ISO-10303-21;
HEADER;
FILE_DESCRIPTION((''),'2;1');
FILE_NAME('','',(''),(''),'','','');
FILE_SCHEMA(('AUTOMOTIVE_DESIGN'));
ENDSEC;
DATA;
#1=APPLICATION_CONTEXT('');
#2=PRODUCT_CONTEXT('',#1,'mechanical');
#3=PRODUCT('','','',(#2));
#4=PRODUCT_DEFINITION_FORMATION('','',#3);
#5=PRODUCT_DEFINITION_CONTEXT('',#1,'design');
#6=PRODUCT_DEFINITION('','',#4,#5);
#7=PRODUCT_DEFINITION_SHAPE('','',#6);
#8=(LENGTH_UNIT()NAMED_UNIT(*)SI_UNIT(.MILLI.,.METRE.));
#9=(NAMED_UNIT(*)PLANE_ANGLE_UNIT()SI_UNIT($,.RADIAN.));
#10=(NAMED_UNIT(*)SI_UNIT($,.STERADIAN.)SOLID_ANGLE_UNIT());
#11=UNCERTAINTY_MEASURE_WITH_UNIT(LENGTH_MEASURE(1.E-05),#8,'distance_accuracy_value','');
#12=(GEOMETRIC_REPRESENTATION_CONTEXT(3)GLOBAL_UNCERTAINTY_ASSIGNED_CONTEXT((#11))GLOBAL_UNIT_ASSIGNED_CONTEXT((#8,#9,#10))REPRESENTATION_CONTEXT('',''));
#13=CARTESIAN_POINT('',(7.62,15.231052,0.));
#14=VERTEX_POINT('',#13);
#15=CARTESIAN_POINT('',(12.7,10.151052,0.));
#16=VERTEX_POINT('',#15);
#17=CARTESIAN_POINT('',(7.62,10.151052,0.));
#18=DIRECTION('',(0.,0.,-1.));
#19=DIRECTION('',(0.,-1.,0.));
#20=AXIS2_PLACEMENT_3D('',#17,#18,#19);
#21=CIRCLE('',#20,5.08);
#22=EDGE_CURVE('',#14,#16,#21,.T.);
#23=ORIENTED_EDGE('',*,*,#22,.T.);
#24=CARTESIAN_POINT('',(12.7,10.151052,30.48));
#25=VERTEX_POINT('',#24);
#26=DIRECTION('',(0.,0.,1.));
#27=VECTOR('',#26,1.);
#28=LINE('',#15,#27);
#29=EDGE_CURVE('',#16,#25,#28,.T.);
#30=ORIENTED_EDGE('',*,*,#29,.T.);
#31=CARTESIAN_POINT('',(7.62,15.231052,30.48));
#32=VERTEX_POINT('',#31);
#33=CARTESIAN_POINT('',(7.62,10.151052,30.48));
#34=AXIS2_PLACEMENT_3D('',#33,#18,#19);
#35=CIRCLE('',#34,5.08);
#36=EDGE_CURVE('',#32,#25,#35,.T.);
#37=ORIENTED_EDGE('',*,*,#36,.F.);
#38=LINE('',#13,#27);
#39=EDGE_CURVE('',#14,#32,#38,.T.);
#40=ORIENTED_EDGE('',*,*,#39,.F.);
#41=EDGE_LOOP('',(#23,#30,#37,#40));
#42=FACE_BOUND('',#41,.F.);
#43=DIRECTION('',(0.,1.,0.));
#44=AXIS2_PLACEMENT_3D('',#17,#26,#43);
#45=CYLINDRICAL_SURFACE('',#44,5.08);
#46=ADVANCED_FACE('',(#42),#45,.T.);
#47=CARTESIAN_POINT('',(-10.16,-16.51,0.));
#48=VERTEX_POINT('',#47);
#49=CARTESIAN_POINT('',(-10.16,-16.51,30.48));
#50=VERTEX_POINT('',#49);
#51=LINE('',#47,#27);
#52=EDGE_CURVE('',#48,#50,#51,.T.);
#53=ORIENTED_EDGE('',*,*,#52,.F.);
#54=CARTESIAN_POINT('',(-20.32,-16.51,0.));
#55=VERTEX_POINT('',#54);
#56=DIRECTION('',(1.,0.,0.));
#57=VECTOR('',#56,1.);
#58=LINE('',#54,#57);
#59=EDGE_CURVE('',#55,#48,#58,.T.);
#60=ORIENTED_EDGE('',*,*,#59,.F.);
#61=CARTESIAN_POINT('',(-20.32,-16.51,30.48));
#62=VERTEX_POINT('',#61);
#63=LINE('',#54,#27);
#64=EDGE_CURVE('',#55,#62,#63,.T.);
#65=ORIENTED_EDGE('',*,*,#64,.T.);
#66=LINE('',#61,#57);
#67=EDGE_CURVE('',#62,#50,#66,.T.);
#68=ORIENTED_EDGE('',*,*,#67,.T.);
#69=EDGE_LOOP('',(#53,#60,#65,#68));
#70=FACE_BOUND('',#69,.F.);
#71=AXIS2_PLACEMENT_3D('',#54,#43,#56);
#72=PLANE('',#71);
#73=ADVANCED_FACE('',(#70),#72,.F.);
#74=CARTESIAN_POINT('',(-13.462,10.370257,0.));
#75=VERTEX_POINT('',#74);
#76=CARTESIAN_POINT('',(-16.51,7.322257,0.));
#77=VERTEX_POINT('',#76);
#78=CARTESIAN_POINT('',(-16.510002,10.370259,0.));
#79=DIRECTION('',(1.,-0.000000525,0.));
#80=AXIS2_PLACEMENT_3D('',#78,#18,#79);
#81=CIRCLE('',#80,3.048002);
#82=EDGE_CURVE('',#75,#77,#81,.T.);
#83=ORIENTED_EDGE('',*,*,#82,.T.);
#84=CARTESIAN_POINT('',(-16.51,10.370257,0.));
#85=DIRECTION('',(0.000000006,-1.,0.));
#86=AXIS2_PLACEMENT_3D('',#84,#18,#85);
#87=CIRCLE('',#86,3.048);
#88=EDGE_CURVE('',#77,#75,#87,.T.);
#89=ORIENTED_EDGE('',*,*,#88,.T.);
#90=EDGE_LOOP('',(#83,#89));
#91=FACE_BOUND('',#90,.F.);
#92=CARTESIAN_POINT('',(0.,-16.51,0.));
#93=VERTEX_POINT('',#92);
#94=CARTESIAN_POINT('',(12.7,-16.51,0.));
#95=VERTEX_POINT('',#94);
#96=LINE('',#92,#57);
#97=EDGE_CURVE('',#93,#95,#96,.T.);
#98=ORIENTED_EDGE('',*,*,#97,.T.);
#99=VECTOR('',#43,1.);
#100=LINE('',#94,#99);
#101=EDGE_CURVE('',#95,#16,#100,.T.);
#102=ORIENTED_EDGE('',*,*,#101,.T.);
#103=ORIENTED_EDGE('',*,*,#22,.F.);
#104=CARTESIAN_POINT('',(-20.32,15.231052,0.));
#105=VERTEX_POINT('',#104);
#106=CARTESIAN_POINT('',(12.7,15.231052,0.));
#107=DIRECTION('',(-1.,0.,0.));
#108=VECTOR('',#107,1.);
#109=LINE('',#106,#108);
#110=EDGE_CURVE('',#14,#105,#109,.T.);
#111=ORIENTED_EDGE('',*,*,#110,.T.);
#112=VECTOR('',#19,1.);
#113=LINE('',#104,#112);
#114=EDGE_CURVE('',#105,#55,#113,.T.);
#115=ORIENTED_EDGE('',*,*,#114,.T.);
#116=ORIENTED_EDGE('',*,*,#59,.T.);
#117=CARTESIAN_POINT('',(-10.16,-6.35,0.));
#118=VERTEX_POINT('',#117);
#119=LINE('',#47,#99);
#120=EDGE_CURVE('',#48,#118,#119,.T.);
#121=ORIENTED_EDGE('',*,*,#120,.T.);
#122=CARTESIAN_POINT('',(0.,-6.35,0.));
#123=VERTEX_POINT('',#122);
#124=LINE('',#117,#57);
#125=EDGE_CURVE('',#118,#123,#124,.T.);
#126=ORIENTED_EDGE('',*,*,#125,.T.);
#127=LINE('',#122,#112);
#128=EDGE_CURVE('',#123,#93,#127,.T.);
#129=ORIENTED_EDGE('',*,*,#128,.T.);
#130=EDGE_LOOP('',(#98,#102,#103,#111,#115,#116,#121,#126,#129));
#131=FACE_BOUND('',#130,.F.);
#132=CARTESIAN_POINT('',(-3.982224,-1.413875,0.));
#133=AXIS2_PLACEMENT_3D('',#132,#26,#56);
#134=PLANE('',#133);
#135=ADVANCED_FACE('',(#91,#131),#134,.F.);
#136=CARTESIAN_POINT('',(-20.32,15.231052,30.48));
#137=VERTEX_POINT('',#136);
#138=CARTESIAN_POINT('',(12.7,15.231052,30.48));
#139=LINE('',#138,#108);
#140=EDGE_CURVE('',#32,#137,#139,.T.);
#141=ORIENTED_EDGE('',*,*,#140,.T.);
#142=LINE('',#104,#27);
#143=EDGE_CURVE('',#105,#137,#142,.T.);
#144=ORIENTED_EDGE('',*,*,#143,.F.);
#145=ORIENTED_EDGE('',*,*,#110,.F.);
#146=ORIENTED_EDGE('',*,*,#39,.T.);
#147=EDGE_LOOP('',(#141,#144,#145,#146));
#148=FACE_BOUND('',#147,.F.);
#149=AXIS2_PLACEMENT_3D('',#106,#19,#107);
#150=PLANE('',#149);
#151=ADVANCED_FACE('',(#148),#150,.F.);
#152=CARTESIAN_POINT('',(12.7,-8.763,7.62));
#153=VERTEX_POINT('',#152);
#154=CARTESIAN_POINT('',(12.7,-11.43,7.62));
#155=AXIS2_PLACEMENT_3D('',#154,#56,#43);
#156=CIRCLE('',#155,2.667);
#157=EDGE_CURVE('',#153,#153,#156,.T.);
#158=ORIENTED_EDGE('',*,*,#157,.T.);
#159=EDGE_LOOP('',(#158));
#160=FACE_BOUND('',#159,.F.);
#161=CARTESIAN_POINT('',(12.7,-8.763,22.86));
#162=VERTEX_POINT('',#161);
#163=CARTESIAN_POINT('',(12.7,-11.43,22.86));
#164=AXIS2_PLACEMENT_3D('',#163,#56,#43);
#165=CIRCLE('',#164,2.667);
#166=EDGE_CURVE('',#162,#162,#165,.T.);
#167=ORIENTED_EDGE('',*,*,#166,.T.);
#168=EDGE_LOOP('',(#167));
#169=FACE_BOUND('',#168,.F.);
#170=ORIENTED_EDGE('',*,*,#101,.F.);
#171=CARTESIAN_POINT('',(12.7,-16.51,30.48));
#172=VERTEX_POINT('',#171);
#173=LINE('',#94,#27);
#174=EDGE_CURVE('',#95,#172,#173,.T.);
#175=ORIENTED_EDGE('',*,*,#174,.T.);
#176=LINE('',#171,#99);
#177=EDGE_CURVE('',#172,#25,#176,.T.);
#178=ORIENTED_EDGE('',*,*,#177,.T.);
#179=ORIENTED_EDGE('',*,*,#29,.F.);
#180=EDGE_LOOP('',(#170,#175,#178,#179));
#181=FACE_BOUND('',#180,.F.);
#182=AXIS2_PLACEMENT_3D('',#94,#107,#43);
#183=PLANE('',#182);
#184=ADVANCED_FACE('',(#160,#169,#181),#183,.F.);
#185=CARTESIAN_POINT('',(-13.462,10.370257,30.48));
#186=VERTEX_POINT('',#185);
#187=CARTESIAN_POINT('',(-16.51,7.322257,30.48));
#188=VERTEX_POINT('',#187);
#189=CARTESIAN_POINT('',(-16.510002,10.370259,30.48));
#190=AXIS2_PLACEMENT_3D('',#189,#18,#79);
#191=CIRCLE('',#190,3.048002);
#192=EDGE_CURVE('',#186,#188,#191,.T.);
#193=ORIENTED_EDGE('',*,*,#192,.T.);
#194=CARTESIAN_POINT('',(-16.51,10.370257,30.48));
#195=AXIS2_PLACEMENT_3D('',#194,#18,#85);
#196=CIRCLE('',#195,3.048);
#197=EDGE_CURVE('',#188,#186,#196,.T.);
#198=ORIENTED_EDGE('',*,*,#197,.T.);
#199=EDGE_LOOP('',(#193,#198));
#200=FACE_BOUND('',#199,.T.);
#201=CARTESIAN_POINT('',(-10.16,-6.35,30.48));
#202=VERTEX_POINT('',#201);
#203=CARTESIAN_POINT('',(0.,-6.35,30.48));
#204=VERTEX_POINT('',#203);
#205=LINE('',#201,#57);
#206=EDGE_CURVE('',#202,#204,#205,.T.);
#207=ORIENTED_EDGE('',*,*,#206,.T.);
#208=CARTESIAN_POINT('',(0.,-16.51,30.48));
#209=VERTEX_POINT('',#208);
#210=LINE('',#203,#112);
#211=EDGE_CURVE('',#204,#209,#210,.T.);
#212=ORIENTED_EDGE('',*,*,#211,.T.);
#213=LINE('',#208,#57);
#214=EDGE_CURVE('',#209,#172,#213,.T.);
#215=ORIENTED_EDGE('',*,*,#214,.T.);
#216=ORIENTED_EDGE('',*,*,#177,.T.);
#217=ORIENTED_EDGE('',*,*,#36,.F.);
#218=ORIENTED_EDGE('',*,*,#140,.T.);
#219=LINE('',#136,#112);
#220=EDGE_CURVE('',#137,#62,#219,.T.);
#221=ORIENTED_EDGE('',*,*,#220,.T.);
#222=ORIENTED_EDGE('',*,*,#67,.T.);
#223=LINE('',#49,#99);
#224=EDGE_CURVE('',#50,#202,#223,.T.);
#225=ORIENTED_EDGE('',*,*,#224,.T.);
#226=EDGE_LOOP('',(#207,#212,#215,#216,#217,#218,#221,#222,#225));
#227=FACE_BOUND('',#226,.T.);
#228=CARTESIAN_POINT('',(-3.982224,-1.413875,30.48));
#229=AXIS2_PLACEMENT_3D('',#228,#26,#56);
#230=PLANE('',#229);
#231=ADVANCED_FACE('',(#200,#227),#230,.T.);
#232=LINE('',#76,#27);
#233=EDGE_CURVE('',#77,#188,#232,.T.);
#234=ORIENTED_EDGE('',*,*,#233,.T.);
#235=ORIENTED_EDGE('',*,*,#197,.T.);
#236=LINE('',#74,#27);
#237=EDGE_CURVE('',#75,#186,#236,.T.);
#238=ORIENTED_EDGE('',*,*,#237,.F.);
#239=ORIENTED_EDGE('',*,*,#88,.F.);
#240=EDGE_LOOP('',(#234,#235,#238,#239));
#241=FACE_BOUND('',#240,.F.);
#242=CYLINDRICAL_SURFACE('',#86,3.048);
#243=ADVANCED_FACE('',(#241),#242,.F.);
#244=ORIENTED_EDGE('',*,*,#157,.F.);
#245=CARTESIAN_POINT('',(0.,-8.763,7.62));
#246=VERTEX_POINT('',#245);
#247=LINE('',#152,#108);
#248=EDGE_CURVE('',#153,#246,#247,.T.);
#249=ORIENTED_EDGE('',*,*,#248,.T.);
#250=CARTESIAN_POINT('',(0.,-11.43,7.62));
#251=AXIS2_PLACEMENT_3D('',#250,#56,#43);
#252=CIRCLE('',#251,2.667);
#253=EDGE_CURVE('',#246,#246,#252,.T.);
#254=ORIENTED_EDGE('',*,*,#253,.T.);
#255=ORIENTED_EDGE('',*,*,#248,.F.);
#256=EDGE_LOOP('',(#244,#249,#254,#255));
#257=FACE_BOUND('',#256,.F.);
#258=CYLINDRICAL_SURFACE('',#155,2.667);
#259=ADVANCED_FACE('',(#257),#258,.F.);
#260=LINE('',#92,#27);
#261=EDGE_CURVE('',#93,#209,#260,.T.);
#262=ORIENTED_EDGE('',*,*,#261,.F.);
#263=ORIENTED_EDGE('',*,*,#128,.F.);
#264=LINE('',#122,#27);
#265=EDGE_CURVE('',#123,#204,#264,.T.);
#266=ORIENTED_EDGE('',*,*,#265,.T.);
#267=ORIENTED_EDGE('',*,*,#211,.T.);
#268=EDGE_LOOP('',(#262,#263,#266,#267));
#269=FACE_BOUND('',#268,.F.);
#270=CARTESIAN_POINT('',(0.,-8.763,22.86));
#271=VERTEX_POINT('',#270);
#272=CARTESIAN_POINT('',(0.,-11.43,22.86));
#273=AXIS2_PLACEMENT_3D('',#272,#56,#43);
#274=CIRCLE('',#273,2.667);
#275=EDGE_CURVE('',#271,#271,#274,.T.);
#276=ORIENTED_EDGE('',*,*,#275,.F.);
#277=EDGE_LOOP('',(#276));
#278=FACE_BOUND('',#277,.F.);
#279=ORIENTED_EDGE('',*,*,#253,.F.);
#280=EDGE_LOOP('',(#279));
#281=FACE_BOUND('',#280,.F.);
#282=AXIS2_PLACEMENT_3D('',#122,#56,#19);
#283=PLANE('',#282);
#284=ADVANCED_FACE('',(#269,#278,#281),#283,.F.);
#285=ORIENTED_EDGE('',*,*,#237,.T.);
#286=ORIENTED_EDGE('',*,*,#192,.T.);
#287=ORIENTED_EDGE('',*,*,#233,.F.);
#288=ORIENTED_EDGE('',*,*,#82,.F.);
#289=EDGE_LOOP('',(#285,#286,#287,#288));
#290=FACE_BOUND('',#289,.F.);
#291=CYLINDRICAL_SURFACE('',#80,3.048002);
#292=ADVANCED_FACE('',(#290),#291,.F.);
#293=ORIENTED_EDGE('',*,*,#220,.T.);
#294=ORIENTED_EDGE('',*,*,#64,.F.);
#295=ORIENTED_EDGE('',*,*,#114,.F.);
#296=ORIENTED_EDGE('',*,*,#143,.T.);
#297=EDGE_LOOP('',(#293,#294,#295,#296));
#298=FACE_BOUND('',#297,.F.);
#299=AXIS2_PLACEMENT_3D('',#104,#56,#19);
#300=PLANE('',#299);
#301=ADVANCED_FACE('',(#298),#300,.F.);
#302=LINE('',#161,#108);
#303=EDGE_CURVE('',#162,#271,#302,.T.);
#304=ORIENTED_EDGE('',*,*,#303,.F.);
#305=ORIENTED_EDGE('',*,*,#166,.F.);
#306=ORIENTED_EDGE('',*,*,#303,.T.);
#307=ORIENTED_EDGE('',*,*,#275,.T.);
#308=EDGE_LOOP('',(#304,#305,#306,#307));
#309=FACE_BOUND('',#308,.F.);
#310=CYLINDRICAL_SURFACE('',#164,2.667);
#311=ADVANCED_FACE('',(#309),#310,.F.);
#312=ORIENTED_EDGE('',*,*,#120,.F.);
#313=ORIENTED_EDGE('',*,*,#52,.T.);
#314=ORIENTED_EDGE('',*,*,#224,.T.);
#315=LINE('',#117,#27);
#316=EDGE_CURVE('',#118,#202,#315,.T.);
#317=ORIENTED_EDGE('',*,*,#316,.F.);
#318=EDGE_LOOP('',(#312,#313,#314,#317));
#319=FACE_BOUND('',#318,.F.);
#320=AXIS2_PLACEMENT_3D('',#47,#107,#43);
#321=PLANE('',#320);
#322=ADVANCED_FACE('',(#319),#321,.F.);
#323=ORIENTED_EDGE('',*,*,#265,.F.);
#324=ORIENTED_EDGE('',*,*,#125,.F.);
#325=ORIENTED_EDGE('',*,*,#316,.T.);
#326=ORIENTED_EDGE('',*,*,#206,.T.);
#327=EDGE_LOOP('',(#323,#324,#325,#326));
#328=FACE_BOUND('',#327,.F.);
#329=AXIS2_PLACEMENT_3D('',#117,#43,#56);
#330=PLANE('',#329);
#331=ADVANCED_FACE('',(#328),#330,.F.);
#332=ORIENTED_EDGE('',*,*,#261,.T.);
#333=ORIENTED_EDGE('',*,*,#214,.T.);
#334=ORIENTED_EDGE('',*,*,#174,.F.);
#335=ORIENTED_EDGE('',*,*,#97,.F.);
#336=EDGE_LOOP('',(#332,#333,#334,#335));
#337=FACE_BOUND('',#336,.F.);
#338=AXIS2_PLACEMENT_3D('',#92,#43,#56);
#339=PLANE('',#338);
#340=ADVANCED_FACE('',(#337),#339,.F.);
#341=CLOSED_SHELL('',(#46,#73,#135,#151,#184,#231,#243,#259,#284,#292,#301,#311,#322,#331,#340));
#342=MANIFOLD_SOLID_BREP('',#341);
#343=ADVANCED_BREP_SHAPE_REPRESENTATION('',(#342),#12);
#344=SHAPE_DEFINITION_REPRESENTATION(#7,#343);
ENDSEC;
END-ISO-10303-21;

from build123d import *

# Parameters (mm, degrees)
F1_DEPTH = 30.48
F2_R     = 2.667
F3_DEPTH = 12.7
F4_R     = 5.08


with BuildPart() as f1:
    # F0 (on Top) → F1 (new body)
    with BuildSketch(Plane.XY):
        Polygon((-10.16, -16.51), (-10.16, -6.35), (0, -6.35), (0, -16.51), (12.7, -16.51), (12.7, -6.35), (12.7, 15.231052), (-17.145, 15.231052), (-20.32, 15.231052), (-20.32, -16.51), (-16.51, -16.51), align=None)
        with BuildLine():
            ThreePointArc((-13.462, 10.370257), (-14.354739, 8.214996), (-16.51, 7.322257))
            ThreePointArc((-16.51, 7.322257), (-18.665261, 12.525519), (-13.462, 10.370257))
        make_face(mode=Mode.SUBTRACT)
    extrude(amount=F1_DEPTH)

    # F2 (on face) → F3 (cut, through all)
    with BuildSketch(Plane.YZ.offset(12.7)):
        with Locations((-11.43, 22.86)):
            Circle(F2_R)
        with Locations((-11.43, 7.62)):
            Circle(F2_R)
    extrude(amount=-F3_DEPTH, mode=Mode.SUBTRACT)

    # F4
    f4_edges = [f1.edges().sort_by_distance(p)[0] for p in [
        (12.7, 15.231052, 15.24),
    ]]
    fillet(f4_edges, radius=F4_R)


solid = f1.part
